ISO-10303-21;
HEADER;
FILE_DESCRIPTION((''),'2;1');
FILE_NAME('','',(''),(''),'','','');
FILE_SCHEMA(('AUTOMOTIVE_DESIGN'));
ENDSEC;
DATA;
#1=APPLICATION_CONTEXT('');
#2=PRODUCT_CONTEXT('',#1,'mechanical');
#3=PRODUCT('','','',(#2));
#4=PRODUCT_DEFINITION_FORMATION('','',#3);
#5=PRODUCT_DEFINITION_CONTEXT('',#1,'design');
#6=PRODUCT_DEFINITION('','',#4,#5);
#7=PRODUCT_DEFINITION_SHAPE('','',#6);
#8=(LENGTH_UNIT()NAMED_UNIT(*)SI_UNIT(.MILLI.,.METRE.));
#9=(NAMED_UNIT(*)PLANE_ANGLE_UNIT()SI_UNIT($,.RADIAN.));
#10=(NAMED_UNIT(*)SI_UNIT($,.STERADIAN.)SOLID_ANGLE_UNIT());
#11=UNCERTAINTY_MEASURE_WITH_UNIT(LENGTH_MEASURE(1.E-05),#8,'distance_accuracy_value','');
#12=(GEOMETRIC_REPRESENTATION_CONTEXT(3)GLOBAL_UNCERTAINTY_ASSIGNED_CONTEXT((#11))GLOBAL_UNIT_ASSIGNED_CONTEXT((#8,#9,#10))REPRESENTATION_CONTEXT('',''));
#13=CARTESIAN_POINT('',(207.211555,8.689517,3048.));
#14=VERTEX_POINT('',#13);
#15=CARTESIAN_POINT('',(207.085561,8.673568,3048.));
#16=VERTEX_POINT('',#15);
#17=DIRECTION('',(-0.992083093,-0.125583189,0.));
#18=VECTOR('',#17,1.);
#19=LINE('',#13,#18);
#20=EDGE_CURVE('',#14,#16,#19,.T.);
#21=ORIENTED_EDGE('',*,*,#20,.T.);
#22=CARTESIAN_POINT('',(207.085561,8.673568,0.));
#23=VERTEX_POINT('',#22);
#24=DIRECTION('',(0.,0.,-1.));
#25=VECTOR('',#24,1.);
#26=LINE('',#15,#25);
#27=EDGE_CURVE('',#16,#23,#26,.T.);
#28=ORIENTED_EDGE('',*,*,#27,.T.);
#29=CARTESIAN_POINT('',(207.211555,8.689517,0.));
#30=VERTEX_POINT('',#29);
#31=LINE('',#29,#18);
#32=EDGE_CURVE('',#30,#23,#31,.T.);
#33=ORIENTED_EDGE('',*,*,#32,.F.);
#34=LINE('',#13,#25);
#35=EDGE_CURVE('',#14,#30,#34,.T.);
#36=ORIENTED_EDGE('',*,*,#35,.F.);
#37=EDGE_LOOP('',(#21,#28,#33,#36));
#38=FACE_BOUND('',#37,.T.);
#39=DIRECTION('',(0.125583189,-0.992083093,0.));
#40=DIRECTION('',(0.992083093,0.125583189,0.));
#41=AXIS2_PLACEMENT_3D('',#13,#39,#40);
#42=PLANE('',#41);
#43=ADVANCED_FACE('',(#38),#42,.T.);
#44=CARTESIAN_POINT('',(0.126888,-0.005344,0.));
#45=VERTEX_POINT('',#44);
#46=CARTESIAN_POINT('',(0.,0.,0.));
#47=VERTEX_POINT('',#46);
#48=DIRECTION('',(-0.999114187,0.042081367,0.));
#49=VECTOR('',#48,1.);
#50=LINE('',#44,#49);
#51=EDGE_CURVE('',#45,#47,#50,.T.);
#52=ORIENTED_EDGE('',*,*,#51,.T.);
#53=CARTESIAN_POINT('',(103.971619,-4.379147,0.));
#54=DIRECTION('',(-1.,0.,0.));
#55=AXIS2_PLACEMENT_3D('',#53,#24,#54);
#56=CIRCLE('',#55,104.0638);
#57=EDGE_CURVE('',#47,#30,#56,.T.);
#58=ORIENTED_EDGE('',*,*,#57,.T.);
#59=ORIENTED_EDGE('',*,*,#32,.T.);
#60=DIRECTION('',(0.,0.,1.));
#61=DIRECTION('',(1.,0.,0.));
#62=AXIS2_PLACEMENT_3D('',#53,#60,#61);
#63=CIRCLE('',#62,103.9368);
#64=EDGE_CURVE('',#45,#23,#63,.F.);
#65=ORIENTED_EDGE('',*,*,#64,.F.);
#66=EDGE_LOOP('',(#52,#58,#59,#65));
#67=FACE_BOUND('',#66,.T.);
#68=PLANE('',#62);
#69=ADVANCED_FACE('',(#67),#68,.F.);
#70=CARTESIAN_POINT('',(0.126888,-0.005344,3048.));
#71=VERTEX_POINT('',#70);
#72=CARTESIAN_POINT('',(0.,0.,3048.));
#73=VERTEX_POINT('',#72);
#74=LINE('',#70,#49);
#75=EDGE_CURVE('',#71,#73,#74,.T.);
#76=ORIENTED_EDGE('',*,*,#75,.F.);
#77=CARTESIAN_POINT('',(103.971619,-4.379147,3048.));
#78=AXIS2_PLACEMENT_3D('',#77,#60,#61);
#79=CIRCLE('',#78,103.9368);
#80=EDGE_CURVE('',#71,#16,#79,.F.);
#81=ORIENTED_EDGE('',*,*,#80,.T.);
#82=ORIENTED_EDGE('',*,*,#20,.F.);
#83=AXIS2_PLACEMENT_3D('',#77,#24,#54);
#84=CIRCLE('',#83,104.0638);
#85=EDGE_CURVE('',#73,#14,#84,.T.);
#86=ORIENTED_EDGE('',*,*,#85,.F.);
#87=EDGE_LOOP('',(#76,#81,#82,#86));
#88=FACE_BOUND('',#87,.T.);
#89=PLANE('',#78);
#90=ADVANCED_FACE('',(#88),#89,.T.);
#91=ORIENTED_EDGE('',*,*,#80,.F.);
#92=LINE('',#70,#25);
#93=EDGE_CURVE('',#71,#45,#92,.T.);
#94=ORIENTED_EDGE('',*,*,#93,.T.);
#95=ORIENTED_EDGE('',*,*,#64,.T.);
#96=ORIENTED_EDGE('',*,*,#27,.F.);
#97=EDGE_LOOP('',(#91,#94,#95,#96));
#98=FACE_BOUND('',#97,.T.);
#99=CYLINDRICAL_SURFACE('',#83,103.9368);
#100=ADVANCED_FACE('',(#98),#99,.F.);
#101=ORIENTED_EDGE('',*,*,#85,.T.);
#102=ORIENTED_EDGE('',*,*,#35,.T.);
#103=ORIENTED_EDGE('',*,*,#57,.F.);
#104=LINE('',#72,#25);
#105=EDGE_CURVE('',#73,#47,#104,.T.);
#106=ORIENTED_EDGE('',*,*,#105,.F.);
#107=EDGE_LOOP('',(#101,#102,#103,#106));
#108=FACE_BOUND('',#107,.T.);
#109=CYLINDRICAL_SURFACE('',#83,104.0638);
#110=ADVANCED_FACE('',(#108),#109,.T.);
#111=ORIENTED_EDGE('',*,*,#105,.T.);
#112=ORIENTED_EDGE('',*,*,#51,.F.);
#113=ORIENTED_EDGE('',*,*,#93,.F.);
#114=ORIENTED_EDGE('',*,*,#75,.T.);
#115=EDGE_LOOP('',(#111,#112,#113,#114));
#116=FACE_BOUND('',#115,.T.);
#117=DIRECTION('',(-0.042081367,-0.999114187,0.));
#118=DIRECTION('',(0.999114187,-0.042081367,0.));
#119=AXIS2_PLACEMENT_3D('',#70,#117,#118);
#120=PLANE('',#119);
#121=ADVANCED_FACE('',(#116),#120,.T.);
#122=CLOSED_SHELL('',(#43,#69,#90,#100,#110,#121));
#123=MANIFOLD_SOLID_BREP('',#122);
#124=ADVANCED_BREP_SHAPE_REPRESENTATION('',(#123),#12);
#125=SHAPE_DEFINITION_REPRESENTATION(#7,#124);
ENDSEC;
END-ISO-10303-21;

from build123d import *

# Parameters (mm, degrees)
EXTRUDE_THIN1_DEPTH = 3048


with BuildPart() as part:
    # Sketch1 → Extrude-Thin1 (new body)
    with BuildSketch(Plane.XY):
        with BuildLine():
            ThreePointArc((0, 0), (99.611485267, 99.593270993), (207.21155546, 8.689516842))
            Line((207.21155546, 8.689516842), (207.085560907, 8.673567777))
            ThreePointArc((207.085560907, 8.673567777), (99.616806397, 99.466382516), (0.126887502, -0.005344334))
            Line((0.126887502, -0.005344334), (0, 0))
        make_face()
    extrude(amount=EXTRUDE_THIN1_DEPTH)


solid = part.part
